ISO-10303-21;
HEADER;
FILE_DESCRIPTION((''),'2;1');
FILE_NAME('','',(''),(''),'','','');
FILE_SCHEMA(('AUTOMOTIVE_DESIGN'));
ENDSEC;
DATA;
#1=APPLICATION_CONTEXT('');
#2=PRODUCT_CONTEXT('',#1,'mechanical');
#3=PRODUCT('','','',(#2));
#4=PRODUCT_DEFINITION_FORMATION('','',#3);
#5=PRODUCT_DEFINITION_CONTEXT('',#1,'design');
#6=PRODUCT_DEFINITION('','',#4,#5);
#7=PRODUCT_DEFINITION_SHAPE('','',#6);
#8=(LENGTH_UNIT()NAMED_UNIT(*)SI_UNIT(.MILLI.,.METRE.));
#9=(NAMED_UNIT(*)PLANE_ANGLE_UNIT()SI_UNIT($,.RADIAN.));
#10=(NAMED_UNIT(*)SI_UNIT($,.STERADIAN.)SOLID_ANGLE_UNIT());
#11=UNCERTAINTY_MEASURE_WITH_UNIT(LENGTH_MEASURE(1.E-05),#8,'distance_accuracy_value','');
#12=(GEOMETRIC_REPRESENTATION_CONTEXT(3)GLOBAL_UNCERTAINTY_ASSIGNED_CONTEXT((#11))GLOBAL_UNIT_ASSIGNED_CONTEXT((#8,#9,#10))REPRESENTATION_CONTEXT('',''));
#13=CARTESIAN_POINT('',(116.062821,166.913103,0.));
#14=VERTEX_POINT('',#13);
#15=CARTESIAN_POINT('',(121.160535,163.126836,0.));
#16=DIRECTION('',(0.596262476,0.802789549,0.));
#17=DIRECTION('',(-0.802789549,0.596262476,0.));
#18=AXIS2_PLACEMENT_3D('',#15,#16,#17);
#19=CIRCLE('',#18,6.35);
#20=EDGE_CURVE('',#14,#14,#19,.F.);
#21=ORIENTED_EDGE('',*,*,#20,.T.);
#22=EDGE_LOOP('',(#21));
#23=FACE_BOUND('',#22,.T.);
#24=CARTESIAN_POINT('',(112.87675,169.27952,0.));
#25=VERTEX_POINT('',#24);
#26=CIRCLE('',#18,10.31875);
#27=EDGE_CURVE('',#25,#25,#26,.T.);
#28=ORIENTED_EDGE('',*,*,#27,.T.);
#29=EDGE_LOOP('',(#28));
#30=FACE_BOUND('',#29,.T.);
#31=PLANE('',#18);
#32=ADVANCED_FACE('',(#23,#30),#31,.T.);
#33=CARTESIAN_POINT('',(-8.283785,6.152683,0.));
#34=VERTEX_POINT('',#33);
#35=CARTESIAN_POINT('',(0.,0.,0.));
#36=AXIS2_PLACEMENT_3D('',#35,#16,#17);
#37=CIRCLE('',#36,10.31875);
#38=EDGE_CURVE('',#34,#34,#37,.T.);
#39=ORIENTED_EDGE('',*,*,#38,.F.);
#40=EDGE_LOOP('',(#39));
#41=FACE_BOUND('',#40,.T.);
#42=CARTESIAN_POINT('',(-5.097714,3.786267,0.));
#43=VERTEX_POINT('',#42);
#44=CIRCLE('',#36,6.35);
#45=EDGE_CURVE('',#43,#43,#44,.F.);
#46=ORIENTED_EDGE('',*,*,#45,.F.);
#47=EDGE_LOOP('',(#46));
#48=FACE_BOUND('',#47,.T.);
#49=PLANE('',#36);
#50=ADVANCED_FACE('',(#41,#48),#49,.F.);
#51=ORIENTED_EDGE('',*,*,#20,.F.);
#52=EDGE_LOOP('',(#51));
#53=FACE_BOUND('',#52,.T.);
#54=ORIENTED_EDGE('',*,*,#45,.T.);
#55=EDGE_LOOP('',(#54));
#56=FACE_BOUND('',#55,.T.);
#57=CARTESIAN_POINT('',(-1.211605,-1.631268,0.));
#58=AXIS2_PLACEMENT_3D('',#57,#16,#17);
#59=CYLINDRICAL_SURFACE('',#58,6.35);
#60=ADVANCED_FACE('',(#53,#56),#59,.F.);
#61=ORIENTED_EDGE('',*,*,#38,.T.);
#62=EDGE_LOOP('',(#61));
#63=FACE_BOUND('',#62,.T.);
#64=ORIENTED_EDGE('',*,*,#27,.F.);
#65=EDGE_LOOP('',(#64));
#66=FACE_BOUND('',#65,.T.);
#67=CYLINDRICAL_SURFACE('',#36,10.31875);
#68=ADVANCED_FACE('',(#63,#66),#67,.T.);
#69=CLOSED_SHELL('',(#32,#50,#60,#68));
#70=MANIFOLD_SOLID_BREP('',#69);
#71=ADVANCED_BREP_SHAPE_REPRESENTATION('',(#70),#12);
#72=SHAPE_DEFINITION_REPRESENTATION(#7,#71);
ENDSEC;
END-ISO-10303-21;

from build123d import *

# Parameters (mm, degrees)
SWEEP1_PROFILE_R     = 10.31875
CUT_SWEEP1_PROFILE_R = 6.35


with BuildPart() as part:
    # Sweep1: sweep along a curve in space
    with BuildLine() as sweep1_path:
        Line((0, 0, 0), (121.160535127, 163.12683632, 0))
    # Sweep1 profile (on start of the path) → Sweep1 (sweep)
    with BuildSketch(Plane(origin=(0, 0, 0), x_dir=(0.8027895488189021, -0.5962624760180233, 0), z_dir=(0.5962624760180233, 0.8027895488189021, 0))):
        Circle(SWEEP1_PROFILE_R)
    sweep(path=sweep1_path.line)

    # Cut-Sweep1: sweep along a curve in space
    with BuildLine() as cut_sweep1_path:
        Line((0, 0, 0), (121.160535127, 163.12683632, 0))
    # Cut-Sweep1 profile (on start of the path) → Cut-Sweep1 (sweep, cut)
    with BuildSketch(Plane(origin=(0, 0, 0), x_dir=(0.8027895488189021, -0.5962624760180233, 0), z_dir=(0.5962624760180233, 0.8027895488189021, 0))):
        Circle(CUT_SWEEP1_PROFILE_R)
    sweep(path=cut_sweep1_path.line, mode=Mode.SUBTRACT)


solid = part.part
